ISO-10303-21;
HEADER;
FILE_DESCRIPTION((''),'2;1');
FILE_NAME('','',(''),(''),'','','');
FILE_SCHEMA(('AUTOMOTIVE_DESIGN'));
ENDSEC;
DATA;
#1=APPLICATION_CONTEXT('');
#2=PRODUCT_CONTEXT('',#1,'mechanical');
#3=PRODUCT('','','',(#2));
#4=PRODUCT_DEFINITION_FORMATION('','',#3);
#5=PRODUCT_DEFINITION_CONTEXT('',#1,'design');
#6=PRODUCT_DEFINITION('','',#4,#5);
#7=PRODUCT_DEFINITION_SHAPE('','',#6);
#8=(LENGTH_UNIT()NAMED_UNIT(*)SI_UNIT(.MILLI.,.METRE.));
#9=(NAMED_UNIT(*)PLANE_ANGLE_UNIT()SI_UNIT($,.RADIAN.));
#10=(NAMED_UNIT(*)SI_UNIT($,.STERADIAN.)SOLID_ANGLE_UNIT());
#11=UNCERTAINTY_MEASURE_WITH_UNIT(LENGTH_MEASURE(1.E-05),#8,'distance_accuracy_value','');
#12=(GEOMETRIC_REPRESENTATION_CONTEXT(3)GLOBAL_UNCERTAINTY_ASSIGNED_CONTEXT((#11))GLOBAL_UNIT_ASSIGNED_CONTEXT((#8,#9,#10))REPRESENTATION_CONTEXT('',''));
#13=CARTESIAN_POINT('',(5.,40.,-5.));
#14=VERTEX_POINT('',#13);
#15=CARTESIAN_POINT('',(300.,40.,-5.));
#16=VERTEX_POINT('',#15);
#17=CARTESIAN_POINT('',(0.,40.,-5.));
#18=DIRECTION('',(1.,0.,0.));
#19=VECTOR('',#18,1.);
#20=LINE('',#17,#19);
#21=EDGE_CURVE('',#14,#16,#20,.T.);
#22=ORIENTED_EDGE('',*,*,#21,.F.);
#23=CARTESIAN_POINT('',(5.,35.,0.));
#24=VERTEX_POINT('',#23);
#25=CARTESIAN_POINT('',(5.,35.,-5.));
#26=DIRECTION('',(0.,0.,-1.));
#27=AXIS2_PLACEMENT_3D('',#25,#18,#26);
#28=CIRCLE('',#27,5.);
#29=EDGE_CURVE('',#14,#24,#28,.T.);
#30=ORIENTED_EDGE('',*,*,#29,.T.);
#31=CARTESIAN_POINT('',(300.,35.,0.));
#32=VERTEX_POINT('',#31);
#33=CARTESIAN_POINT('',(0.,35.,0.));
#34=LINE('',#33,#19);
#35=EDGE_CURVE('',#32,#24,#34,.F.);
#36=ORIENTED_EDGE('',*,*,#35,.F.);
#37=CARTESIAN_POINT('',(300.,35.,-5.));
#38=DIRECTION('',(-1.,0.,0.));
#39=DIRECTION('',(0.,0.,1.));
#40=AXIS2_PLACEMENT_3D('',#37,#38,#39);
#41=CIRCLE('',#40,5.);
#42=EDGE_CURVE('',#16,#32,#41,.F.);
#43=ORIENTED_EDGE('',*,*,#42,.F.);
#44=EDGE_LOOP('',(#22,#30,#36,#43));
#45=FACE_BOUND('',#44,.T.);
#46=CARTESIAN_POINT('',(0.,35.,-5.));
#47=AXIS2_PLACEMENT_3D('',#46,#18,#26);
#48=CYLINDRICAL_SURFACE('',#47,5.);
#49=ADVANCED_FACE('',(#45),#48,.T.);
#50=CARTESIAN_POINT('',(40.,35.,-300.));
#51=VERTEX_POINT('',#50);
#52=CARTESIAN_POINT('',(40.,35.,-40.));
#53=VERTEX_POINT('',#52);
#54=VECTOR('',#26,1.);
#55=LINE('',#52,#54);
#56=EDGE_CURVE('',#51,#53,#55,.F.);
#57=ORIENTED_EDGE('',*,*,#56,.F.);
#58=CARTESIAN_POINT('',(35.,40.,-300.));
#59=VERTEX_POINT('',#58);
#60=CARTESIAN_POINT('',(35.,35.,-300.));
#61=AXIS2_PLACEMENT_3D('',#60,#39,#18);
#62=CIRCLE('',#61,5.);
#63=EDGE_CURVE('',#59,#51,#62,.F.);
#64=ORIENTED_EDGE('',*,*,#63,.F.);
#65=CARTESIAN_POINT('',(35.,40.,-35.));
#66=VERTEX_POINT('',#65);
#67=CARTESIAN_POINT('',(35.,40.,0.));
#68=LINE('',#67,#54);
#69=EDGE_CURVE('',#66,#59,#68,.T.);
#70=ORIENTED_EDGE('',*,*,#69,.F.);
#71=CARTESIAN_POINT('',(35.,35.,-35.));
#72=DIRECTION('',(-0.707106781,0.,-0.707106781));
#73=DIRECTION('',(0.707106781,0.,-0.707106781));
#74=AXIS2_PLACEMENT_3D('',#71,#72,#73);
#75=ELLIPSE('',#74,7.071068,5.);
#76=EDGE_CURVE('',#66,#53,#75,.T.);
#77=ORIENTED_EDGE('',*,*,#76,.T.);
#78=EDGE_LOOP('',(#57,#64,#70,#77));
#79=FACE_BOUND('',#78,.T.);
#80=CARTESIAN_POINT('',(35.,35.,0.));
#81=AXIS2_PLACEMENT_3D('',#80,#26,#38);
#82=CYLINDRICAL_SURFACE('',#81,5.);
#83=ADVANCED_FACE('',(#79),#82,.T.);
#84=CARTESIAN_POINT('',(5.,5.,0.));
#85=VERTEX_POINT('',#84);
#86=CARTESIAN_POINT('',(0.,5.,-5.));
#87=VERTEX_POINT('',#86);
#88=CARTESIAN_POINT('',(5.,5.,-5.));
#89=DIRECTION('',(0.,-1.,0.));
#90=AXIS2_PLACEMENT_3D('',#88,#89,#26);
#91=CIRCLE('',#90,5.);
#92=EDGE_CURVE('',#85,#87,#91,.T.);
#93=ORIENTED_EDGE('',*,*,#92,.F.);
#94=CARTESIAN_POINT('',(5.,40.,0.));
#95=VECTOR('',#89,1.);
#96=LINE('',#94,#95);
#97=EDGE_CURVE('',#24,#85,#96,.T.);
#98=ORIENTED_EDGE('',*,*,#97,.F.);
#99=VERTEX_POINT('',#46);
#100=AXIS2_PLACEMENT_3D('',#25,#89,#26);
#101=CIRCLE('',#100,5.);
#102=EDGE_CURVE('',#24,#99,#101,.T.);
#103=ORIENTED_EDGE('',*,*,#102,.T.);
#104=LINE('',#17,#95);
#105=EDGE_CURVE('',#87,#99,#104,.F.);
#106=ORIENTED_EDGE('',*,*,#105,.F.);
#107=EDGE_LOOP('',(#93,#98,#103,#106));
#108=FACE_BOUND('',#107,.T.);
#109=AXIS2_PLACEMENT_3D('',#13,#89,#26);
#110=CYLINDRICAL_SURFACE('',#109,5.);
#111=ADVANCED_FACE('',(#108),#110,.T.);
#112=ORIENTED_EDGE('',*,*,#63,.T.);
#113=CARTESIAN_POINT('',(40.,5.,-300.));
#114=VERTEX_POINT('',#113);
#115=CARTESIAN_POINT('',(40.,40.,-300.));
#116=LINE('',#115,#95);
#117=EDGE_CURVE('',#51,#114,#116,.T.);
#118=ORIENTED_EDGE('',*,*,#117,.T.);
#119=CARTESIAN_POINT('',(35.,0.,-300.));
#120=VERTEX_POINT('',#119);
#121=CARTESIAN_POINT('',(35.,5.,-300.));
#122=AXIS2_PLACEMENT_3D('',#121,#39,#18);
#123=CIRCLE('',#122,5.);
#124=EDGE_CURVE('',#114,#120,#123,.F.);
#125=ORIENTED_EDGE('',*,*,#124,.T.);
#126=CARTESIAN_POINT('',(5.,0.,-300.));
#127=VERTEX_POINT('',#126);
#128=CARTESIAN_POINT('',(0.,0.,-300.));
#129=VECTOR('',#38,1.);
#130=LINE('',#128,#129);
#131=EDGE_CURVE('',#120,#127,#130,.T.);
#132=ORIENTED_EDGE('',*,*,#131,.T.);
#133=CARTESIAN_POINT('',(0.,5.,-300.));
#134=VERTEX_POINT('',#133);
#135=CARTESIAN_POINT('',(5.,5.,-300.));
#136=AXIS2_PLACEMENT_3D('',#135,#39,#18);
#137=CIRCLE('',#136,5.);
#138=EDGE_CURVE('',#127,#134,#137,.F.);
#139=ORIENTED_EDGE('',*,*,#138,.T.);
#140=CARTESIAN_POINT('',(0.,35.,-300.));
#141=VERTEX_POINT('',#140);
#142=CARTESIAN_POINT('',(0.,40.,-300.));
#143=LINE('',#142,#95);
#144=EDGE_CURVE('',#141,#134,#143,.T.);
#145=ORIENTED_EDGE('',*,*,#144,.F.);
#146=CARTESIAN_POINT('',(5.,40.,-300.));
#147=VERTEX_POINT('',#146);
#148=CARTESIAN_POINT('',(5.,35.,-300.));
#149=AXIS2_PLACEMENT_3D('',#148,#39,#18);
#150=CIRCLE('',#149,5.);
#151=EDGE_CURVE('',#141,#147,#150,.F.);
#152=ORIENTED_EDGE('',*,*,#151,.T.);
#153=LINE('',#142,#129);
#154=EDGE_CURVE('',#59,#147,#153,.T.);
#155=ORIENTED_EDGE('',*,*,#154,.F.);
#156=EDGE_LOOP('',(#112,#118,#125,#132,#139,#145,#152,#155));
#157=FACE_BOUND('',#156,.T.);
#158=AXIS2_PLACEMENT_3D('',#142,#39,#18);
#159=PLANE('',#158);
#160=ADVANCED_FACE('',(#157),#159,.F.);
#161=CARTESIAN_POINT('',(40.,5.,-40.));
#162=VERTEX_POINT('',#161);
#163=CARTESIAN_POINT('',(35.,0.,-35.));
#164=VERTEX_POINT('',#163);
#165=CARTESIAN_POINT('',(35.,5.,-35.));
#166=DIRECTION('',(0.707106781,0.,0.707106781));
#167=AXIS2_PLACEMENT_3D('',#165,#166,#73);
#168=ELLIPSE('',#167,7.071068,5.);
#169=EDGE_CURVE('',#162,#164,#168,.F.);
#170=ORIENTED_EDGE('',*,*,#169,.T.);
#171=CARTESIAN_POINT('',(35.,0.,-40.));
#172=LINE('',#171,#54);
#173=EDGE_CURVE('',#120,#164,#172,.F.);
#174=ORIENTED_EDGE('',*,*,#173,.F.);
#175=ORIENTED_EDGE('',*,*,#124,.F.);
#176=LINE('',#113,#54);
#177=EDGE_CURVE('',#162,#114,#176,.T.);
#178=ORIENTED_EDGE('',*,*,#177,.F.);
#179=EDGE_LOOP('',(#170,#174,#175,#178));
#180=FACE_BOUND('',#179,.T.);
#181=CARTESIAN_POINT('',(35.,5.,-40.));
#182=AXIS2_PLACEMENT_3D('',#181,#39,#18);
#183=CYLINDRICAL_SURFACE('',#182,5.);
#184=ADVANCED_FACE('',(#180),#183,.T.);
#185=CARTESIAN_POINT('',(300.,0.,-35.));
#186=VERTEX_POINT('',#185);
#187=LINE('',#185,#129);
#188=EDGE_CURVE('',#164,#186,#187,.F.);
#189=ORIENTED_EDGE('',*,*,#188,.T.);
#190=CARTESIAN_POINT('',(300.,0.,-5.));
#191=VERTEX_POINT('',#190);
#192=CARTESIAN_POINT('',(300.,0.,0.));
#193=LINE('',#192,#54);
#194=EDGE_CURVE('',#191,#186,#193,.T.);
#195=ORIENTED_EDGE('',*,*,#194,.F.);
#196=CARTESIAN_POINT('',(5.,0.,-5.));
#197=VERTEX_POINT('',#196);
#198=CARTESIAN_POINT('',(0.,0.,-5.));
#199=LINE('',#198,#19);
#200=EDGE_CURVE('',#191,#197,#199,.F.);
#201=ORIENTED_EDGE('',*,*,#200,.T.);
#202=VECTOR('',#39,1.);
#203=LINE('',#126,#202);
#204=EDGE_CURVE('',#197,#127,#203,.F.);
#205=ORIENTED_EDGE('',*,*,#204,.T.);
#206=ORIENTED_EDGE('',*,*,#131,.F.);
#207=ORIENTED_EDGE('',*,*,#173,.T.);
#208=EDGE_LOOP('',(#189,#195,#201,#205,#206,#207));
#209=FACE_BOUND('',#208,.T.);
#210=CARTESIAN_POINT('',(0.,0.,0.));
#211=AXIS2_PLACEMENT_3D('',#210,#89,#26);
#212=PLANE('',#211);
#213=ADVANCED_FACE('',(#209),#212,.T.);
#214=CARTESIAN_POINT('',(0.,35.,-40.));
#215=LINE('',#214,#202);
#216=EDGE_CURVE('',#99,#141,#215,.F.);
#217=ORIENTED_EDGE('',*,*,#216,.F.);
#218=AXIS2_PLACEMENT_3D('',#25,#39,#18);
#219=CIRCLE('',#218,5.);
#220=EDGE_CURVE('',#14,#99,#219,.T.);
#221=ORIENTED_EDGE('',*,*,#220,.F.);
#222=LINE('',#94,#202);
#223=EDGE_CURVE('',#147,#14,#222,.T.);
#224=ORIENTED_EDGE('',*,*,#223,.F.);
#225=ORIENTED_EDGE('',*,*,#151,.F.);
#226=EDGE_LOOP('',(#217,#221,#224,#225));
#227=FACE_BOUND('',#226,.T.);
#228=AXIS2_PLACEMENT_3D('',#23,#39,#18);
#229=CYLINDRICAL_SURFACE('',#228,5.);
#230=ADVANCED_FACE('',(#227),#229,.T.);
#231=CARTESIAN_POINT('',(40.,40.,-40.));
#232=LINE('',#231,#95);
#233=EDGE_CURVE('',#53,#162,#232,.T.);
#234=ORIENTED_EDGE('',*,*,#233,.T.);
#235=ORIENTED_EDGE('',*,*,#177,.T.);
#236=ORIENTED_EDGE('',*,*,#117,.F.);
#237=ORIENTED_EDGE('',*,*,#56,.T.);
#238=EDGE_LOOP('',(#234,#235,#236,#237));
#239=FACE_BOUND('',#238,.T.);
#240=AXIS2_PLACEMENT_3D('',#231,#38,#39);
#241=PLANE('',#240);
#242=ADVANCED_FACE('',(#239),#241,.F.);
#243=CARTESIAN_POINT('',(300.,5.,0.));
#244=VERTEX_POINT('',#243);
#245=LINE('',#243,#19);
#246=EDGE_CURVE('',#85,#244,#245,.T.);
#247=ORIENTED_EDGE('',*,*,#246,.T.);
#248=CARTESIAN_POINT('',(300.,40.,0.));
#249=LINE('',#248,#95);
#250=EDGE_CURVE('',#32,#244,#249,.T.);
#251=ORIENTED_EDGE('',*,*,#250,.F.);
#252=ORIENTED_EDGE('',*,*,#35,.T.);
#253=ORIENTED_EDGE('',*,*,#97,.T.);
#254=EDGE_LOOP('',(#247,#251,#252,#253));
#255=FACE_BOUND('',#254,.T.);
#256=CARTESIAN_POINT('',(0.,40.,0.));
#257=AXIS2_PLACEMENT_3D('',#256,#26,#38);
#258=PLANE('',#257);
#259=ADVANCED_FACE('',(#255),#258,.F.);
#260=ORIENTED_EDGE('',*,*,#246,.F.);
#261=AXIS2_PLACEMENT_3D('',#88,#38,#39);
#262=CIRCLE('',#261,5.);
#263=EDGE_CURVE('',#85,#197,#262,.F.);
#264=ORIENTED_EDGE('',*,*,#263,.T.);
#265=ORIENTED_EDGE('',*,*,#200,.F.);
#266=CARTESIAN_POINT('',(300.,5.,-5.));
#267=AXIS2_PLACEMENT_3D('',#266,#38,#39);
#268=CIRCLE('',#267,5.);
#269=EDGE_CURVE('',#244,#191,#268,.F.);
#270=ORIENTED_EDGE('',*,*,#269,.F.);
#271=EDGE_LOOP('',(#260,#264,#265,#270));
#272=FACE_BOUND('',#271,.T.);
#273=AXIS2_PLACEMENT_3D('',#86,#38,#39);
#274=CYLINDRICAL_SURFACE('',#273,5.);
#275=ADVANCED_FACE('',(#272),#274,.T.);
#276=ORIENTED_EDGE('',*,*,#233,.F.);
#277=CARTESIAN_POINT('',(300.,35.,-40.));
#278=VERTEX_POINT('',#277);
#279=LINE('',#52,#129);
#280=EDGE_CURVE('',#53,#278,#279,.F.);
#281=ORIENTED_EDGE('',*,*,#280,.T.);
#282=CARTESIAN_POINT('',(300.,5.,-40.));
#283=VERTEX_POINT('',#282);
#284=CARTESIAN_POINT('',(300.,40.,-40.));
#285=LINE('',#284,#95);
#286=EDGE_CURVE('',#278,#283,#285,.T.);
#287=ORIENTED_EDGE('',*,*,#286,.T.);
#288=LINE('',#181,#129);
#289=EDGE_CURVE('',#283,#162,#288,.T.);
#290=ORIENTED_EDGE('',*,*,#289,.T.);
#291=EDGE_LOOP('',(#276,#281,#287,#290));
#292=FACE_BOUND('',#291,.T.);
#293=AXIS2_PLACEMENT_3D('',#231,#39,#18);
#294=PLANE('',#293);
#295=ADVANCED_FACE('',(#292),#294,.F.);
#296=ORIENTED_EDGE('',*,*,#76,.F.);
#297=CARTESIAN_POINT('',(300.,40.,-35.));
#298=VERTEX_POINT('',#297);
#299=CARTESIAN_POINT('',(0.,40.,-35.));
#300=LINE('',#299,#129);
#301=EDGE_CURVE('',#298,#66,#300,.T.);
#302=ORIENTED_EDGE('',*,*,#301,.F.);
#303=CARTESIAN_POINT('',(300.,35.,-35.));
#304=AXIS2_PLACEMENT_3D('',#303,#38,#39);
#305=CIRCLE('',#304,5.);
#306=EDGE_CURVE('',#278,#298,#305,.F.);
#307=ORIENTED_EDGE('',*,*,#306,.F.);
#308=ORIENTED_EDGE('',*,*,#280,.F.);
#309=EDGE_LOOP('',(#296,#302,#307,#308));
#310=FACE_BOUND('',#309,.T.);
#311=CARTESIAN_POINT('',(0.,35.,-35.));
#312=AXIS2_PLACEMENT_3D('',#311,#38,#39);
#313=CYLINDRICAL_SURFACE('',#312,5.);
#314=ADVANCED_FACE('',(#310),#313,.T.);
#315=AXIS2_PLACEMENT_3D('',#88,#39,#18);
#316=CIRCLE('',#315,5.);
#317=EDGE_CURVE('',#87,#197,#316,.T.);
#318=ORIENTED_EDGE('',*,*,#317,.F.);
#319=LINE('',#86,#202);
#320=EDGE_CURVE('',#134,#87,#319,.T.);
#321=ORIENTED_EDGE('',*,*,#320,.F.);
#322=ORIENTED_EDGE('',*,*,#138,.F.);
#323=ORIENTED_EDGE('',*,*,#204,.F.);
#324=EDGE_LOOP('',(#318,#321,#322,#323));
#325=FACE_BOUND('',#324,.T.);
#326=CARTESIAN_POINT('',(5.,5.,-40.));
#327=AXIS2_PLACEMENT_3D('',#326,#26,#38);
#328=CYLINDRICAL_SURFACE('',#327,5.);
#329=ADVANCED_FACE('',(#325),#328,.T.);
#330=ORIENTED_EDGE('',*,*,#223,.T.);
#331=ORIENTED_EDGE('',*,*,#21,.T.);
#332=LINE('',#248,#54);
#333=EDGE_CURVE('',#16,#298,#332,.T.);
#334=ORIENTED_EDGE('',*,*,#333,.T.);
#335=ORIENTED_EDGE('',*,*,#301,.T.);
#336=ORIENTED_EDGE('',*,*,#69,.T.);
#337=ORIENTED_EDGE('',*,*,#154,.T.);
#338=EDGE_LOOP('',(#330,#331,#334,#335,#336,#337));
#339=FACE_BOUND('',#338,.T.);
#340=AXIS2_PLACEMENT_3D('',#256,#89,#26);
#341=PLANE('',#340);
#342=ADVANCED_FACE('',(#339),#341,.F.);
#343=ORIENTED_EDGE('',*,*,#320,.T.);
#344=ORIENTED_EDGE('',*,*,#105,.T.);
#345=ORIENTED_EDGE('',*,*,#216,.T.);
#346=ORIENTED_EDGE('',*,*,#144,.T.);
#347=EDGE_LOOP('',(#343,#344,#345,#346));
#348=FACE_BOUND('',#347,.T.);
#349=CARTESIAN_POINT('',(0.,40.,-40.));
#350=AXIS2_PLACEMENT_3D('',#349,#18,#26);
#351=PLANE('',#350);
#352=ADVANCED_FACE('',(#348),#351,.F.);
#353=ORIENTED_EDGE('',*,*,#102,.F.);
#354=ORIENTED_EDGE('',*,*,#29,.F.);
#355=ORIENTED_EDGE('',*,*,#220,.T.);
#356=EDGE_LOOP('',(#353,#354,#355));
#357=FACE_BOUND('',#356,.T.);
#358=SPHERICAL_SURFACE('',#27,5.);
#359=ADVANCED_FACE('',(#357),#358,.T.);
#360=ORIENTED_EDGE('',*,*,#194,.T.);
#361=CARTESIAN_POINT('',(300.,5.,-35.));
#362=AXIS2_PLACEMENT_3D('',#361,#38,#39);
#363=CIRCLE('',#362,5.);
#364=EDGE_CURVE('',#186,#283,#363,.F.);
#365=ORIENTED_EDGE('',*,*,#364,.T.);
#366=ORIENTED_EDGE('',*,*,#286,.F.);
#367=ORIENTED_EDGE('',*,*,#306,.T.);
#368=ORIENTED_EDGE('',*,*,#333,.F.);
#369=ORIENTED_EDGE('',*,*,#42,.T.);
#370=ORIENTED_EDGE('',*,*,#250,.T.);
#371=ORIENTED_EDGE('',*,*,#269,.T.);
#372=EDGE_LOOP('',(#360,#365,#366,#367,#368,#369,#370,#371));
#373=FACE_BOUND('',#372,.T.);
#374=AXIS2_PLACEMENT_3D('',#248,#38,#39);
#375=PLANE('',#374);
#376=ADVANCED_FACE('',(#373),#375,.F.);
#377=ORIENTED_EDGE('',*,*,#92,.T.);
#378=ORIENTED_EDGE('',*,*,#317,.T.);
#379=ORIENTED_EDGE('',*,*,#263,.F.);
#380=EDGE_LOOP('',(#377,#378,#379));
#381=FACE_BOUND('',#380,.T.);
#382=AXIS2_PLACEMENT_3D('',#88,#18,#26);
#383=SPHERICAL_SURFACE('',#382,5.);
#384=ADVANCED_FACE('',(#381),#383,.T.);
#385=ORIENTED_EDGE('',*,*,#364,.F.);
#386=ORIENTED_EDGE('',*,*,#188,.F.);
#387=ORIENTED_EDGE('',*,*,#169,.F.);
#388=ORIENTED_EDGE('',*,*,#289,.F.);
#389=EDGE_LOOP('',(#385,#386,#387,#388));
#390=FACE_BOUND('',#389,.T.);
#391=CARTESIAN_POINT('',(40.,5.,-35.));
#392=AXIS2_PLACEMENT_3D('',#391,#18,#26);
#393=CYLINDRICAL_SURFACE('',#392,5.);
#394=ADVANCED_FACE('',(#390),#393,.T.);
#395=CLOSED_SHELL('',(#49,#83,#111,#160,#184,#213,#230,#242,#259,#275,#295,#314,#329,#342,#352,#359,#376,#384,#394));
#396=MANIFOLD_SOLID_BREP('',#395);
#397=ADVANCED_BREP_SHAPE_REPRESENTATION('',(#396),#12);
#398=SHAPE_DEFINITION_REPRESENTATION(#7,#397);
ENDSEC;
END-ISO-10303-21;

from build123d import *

# Parameters (mm, degrees)
BOSS_EXTRUDE1_DEPTH = 40
FILLET1_R           = 5
FILLET2_R           = 5
FILLET3_R           = 5


with BuildPart() as part:
    # Sketch1 → Boss-Extrude1 (new body)
    with BuildSketch(Plane(origin=(0, 0, 0), x_dir=(1, 0, 0), z_dir=(0, 1, 0))):
        Polygon((0, 0), (300, 0), (300, 40), (40, 40), (40, 300), (0, 300), (0, 40), align=None)
    extrude(amount=BOSS_EXTRUDE1_DEPTH)

    # Fillet1
    fillet1_edges = [part.edges().sort_by_distance(p)[0] for p in [
        (150, 40, 0),
    ]]
    fillet(fillet1_edges, radius=FILLET1_R)

    # Fillet2
    fillet2_edges = [part.edges().sort_by_distance(p)[0] for p in [
        (170, 40, -40),
        (40, 40, -170),
        (40, 0, -170),
        (150, 0, 0),
    ]]
    fillet(fillet2_edges, radius=FILLET2_R)

    # Fillet3
    fillet3_edges = [part.edges().sort_by_distance(p)[0] for p in [
        (0, 1.464466094, -1.464466094),
        (0, 20, 0),
        (0, 38.535533906, -1.464466094),
        (167.5, 0, -40),
        (0, 0, -152.5),
        (0, 40, -152.5),
    ]]
    fillet(fillet3_edges, radius=FILLET3_R)


solid = part.part
